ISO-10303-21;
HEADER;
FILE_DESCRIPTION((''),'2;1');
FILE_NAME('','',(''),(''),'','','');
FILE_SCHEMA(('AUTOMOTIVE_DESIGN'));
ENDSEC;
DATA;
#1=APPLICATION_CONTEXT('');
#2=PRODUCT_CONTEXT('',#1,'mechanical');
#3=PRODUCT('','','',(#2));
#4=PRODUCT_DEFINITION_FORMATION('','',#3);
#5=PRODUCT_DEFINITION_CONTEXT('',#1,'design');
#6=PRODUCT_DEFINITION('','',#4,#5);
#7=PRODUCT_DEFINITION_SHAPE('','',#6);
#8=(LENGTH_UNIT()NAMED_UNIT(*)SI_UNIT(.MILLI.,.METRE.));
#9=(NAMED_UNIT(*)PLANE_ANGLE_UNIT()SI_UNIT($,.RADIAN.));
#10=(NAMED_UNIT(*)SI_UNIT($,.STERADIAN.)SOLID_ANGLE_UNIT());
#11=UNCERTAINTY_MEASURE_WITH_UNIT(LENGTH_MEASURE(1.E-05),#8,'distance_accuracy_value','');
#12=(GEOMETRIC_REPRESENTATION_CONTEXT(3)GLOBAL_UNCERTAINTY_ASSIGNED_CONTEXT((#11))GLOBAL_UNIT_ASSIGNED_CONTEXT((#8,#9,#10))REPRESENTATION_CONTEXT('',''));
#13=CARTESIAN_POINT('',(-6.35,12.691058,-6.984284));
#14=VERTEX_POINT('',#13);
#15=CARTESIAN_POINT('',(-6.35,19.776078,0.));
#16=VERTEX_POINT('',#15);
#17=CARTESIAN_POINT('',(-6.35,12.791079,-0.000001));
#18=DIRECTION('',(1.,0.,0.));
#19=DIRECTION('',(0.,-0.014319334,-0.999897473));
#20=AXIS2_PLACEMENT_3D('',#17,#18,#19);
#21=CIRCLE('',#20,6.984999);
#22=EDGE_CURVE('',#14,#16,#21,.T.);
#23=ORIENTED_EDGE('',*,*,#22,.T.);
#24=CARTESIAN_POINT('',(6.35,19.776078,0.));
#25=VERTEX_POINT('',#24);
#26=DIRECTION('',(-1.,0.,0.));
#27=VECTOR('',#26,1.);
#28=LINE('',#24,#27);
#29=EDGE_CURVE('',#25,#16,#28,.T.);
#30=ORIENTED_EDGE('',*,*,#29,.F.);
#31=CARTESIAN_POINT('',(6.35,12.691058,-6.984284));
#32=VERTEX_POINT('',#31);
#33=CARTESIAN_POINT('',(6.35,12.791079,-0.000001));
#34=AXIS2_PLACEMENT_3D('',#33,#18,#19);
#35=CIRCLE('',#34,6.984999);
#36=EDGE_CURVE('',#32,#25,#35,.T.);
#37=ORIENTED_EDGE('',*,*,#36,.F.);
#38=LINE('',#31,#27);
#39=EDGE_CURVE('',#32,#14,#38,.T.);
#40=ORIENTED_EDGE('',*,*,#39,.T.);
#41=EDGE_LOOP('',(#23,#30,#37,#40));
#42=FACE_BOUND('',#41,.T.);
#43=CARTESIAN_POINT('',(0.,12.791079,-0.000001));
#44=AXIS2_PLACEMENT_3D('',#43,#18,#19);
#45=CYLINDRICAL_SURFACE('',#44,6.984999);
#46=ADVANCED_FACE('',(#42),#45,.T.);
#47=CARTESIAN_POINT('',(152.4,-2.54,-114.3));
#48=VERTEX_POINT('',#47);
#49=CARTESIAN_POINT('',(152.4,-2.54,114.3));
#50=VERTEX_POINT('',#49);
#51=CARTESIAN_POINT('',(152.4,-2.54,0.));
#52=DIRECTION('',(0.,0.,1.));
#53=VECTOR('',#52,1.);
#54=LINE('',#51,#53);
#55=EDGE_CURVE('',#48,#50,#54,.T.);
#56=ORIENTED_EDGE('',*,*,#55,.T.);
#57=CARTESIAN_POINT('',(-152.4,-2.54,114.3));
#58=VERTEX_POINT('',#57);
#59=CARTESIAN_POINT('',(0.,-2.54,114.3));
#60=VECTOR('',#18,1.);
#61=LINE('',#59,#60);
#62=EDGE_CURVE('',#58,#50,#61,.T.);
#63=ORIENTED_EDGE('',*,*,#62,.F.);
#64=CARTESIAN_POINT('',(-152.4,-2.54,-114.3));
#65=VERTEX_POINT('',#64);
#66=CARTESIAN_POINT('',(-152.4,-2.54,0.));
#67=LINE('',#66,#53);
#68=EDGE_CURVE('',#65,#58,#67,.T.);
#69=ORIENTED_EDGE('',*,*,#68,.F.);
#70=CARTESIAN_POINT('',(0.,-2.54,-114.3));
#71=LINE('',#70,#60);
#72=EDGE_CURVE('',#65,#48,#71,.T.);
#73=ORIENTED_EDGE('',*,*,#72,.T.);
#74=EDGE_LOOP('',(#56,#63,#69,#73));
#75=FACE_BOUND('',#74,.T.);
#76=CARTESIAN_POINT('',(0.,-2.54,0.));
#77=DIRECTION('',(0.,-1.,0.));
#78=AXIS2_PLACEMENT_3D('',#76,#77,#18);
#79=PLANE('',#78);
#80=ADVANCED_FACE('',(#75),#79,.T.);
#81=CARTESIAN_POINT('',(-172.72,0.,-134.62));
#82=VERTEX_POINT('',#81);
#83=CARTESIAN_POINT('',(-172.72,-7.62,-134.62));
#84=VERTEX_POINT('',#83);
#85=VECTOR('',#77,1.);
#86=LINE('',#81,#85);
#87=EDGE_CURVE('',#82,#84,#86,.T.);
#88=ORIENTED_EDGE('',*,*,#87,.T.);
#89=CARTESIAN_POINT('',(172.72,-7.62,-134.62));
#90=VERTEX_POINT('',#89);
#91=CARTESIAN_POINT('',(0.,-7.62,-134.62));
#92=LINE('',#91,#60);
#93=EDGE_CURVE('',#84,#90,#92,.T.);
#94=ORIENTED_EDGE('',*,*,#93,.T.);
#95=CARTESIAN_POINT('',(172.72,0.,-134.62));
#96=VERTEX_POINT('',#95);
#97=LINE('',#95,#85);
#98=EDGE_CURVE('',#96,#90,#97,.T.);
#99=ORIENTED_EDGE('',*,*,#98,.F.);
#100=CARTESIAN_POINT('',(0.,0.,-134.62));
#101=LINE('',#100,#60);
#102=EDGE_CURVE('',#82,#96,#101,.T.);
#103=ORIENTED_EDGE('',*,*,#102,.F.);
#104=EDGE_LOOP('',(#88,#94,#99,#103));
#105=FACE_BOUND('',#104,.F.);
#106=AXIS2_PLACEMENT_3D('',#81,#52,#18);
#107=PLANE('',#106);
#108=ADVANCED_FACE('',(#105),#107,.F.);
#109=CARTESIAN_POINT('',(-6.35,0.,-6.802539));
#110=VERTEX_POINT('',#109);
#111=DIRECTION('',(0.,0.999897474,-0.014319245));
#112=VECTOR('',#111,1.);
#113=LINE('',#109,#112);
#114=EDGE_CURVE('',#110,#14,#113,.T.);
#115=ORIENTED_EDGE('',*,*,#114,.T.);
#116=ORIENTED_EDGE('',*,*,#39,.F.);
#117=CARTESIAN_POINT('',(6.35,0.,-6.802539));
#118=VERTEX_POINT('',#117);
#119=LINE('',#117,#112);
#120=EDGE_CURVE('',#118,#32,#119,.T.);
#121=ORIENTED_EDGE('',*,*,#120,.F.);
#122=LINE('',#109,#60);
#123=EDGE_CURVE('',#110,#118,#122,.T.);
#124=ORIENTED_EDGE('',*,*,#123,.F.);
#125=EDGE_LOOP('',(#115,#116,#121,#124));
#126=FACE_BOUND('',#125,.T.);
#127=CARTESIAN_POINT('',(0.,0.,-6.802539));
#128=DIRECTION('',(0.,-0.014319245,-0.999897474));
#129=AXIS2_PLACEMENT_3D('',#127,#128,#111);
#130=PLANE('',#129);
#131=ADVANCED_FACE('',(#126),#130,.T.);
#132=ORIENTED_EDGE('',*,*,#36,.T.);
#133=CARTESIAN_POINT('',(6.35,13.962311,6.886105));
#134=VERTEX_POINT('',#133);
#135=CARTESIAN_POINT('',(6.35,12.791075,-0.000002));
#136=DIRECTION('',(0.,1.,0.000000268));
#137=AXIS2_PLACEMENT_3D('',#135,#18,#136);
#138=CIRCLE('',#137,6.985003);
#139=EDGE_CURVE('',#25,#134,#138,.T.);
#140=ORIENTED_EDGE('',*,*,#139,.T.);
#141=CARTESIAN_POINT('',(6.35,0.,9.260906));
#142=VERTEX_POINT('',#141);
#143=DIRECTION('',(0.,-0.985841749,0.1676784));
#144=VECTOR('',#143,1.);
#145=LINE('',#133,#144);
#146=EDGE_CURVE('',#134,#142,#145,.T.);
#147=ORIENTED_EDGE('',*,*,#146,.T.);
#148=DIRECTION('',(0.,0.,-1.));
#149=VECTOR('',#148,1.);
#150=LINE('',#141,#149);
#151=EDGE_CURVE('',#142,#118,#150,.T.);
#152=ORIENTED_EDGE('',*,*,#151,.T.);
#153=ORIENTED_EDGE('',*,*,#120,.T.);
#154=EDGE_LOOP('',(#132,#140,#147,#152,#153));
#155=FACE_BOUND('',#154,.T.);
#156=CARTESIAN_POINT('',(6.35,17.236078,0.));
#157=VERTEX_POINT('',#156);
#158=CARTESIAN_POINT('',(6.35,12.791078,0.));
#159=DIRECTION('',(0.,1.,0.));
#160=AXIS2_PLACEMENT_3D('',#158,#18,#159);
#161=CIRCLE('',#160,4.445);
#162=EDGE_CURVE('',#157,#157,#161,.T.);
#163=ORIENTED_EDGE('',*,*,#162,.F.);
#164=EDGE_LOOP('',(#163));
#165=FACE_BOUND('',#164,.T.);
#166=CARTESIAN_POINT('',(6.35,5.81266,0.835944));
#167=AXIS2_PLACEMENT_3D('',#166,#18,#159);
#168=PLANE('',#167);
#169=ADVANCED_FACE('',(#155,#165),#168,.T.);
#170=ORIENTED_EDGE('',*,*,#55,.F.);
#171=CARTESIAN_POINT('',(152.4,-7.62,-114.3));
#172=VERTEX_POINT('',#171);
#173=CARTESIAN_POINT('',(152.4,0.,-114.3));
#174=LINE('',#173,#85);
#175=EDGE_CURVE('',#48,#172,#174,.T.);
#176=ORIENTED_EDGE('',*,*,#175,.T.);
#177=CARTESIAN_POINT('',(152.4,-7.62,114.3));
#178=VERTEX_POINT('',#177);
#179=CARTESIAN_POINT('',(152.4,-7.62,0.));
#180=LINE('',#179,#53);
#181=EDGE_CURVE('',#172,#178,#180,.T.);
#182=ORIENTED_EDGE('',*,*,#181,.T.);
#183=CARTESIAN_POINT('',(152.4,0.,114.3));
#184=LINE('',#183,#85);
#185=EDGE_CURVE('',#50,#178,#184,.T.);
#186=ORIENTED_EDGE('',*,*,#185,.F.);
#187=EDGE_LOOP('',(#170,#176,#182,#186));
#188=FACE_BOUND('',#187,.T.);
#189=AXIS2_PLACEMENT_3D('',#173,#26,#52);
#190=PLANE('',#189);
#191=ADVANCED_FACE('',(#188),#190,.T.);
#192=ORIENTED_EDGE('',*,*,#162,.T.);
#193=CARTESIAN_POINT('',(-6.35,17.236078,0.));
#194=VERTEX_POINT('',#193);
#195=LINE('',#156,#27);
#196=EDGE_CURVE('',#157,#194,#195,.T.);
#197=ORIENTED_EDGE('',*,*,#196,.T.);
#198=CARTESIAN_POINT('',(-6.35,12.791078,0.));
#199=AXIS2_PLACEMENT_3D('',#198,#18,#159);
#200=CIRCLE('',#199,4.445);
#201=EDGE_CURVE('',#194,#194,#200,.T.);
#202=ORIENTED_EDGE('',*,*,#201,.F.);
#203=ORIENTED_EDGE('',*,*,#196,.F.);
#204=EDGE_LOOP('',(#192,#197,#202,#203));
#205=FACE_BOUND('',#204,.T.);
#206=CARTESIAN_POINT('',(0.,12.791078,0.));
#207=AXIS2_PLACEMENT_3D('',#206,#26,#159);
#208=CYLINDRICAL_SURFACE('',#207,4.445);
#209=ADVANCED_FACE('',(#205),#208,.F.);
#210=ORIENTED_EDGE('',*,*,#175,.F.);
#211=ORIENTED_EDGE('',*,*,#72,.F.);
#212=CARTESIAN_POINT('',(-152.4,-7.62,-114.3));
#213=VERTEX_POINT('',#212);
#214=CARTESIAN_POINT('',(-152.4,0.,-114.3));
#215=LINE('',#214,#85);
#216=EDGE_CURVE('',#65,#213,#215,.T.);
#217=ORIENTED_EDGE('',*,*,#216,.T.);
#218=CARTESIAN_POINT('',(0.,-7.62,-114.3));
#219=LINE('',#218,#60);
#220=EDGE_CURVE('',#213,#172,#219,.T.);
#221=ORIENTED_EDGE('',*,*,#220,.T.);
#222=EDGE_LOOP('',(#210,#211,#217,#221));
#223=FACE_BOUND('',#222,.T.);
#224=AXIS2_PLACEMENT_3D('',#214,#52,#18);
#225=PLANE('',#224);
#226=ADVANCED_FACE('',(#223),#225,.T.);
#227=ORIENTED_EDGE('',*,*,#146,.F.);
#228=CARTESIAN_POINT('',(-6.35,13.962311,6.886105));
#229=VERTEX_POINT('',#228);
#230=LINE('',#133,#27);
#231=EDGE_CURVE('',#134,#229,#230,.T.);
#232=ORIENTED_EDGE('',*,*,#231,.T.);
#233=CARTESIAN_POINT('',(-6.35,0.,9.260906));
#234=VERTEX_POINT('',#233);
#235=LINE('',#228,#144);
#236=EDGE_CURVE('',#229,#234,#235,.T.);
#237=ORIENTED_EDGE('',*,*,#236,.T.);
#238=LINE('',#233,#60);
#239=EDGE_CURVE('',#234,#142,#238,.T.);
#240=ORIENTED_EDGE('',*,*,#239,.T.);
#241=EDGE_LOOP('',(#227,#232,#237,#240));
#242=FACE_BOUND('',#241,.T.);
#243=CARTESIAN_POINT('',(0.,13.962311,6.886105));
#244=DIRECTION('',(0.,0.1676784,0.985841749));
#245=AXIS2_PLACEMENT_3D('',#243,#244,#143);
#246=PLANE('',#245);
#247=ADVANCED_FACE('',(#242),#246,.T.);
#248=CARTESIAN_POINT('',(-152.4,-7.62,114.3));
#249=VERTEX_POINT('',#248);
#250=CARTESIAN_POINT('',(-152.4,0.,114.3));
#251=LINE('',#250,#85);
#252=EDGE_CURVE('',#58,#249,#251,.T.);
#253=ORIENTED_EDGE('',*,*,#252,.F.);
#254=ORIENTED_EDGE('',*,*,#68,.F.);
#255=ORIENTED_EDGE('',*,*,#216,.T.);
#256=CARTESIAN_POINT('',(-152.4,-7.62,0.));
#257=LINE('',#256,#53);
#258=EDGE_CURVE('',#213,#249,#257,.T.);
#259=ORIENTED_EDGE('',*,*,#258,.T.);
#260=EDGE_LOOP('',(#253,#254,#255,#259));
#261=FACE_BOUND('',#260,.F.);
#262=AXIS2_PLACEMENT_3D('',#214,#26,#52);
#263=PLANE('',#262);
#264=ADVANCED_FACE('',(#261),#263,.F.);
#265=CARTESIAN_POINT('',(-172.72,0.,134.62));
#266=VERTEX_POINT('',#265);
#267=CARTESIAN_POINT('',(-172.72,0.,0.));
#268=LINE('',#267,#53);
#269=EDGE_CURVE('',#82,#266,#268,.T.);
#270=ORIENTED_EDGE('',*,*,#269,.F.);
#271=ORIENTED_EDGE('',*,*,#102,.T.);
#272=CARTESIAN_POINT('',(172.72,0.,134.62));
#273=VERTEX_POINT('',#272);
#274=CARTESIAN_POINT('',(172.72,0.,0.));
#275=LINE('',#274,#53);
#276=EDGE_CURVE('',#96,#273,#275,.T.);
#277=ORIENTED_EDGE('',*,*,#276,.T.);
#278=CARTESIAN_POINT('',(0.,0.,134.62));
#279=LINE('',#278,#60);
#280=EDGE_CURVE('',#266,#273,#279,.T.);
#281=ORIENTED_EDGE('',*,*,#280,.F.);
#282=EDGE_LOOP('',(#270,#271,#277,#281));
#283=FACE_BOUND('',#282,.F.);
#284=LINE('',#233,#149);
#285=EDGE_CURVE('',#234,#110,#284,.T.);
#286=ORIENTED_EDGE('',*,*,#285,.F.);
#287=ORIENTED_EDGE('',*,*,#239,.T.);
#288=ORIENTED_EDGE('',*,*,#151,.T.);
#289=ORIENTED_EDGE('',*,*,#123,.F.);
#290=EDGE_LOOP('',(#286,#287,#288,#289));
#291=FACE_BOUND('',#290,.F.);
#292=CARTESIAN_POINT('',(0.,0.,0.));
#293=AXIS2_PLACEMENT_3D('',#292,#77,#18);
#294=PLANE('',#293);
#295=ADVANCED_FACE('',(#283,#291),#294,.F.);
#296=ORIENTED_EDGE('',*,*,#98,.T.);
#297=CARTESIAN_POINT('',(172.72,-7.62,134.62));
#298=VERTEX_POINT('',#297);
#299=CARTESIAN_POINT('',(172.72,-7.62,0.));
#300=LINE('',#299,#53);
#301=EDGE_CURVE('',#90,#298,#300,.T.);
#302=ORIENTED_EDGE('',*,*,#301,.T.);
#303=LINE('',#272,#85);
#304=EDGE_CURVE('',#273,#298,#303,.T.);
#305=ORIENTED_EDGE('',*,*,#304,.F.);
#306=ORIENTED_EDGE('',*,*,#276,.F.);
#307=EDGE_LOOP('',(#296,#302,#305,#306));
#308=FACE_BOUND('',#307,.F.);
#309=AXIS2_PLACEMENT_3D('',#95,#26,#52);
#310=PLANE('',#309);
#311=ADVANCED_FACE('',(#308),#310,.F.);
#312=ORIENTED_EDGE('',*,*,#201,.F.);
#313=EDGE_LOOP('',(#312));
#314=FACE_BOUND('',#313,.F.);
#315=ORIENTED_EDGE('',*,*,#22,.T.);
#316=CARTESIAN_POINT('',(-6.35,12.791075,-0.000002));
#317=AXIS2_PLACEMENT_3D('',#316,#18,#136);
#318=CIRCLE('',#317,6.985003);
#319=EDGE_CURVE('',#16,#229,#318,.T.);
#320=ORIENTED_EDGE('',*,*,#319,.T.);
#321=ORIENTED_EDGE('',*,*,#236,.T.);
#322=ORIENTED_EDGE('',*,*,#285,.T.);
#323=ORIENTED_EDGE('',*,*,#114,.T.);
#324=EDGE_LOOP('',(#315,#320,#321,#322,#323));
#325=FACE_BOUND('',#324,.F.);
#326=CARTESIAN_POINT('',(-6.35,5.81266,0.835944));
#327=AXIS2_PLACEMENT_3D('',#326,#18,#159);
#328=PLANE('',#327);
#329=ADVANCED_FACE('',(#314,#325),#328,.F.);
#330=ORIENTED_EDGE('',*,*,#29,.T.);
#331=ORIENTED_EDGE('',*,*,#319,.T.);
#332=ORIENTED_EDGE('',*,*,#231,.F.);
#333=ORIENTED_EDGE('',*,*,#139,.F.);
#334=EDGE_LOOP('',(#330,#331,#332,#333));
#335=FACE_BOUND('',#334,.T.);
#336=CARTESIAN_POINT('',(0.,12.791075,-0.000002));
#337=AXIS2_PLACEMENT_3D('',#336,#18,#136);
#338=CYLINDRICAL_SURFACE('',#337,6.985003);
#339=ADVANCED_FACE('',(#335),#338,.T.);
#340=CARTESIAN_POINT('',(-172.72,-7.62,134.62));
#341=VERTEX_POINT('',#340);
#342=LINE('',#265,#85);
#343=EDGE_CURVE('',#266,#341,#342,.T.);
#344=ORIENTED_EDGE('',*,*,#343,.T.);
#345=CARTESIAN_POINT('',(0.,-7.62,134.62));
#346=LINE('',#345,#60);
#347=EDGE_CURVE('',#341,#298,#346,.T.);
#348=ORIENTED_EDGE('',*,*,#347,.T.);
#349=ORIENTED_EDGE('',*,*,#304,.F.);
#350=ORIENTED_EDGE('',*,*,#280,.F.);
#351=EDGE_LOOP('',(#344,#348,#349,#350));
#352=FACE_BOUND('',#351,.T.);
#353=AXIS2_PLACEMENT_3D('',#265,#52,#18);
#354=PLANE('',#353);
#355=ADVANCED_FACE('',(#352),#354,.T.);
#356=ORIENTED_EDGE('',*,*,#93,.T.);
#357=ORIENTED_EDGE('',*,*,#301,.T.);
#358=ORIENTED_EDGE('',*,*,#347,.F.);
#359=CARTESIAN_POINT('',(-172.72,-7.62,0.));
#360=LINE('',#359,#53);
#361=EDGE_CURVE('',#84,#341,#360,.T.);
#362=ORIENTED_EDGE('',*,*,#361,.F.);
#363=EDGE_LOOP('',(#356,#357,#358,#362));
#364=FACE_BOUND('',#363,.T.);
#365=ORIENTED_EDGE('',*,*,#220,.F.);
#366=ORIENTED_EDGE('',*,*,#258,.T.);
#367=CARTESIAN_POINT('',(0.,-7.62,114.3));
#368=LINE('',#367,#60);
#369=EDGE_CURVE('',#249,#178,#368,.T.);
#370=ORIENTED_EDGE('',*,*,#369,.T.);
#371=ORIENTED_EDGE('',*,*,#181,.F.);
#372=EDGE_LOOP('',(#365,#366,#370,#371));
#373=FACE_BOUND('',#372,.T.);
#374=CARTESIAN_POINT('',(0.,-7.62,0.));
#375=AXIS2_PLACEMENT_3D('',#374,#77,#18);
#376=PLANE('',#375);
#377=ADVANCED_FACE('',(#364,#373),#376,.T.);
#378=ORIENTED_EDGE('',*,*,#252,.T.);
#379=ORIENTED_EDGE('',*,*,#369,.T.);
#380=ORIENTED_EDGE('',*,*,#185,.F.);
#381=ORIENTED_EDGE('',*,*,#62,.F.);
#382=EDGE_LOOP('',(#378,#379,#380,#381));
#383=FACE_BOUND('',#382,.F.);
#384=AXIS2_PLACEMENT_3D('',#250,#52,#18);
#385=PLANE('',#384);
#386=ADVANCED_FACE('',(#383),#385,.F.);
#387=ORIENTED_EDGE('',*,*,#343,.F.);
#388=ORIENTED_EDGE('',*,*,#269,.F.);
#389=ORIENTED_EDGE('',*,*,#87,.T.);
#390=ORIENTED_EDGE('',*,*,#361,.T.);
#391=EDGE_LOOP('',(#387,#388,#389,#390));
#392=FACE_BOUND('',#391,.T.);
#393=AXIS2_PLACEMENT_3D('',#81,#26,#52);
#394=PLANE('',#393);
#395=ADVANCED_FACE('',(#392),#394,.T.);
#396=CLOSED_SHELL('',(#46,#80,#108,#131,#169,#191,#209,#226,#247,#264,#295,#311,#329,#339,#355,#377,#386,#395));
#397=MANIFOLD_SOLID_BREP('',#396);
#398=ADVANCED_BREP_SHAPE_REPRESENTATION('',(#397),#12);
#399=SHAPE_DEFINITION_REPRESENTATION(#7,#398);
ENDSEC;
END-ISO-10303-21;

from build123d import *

# Parameters (mm, degrees)
F0_W     = 304.8
F0_H     = 228.6
F1_DEPTH = 2.54
F0_W_2   = 345.44
F0_H_2   = 269.24
F2_DEPTH = 7.62
F3_R     = 4.445
F4_DEPTH = 6.35


with BuildPart() as f1:
    # F0 (on Front) → F1 (new body)
    with BuildSketch(Plane.XZ):
        Rectangle(F0_W, F0_H)
    extrude(amount=F1_DEPTH)

    # F0 (on Front) → F2 (join)
    with BuildSketch(Plane.XZ):
        Rectangle(F0_W_2, F0_H_2)
        Rectangle(F0_W, F0_H, mode=Mode.SUBTRACT)
    extrude(amount=F2_DEPTH)

    # F3 (on Right) → F4 (join, symmetric)
    with BuildSketch(Plane.YZ):
        with BuildLine():
            Line((13.962311, 6.886105), (0, 9.260906))
            Line((0, 9.260906), (0, -6.802539))
            Line((0, -6.802539), (12.691058, -6.984284))
            ThreePointArc((12.691058, -6.984284), (5.835232, 0.63752), (13.962311, 6.886105))
        make_face()
        with BuildLine():
            ThreePointArc((19.776078, 0), (18.128272, 4.50606), (13.962311, 6.886105))
            ThreePointArc((13.962311, 6.886105), (5.835232, 0.63752), (12.691058, -6.984284))
            ThreePointArc((12.691058, -6.984284), (17.694729, -4.974378), (19.776078, 0))
        make_face()
        with Locations((12.791078, 0)):
            Circle(F3_R, mode=Mode.SUBTRACT)
    extrude(amount=F4_DEPTH, both=True)


solid = f1.part
